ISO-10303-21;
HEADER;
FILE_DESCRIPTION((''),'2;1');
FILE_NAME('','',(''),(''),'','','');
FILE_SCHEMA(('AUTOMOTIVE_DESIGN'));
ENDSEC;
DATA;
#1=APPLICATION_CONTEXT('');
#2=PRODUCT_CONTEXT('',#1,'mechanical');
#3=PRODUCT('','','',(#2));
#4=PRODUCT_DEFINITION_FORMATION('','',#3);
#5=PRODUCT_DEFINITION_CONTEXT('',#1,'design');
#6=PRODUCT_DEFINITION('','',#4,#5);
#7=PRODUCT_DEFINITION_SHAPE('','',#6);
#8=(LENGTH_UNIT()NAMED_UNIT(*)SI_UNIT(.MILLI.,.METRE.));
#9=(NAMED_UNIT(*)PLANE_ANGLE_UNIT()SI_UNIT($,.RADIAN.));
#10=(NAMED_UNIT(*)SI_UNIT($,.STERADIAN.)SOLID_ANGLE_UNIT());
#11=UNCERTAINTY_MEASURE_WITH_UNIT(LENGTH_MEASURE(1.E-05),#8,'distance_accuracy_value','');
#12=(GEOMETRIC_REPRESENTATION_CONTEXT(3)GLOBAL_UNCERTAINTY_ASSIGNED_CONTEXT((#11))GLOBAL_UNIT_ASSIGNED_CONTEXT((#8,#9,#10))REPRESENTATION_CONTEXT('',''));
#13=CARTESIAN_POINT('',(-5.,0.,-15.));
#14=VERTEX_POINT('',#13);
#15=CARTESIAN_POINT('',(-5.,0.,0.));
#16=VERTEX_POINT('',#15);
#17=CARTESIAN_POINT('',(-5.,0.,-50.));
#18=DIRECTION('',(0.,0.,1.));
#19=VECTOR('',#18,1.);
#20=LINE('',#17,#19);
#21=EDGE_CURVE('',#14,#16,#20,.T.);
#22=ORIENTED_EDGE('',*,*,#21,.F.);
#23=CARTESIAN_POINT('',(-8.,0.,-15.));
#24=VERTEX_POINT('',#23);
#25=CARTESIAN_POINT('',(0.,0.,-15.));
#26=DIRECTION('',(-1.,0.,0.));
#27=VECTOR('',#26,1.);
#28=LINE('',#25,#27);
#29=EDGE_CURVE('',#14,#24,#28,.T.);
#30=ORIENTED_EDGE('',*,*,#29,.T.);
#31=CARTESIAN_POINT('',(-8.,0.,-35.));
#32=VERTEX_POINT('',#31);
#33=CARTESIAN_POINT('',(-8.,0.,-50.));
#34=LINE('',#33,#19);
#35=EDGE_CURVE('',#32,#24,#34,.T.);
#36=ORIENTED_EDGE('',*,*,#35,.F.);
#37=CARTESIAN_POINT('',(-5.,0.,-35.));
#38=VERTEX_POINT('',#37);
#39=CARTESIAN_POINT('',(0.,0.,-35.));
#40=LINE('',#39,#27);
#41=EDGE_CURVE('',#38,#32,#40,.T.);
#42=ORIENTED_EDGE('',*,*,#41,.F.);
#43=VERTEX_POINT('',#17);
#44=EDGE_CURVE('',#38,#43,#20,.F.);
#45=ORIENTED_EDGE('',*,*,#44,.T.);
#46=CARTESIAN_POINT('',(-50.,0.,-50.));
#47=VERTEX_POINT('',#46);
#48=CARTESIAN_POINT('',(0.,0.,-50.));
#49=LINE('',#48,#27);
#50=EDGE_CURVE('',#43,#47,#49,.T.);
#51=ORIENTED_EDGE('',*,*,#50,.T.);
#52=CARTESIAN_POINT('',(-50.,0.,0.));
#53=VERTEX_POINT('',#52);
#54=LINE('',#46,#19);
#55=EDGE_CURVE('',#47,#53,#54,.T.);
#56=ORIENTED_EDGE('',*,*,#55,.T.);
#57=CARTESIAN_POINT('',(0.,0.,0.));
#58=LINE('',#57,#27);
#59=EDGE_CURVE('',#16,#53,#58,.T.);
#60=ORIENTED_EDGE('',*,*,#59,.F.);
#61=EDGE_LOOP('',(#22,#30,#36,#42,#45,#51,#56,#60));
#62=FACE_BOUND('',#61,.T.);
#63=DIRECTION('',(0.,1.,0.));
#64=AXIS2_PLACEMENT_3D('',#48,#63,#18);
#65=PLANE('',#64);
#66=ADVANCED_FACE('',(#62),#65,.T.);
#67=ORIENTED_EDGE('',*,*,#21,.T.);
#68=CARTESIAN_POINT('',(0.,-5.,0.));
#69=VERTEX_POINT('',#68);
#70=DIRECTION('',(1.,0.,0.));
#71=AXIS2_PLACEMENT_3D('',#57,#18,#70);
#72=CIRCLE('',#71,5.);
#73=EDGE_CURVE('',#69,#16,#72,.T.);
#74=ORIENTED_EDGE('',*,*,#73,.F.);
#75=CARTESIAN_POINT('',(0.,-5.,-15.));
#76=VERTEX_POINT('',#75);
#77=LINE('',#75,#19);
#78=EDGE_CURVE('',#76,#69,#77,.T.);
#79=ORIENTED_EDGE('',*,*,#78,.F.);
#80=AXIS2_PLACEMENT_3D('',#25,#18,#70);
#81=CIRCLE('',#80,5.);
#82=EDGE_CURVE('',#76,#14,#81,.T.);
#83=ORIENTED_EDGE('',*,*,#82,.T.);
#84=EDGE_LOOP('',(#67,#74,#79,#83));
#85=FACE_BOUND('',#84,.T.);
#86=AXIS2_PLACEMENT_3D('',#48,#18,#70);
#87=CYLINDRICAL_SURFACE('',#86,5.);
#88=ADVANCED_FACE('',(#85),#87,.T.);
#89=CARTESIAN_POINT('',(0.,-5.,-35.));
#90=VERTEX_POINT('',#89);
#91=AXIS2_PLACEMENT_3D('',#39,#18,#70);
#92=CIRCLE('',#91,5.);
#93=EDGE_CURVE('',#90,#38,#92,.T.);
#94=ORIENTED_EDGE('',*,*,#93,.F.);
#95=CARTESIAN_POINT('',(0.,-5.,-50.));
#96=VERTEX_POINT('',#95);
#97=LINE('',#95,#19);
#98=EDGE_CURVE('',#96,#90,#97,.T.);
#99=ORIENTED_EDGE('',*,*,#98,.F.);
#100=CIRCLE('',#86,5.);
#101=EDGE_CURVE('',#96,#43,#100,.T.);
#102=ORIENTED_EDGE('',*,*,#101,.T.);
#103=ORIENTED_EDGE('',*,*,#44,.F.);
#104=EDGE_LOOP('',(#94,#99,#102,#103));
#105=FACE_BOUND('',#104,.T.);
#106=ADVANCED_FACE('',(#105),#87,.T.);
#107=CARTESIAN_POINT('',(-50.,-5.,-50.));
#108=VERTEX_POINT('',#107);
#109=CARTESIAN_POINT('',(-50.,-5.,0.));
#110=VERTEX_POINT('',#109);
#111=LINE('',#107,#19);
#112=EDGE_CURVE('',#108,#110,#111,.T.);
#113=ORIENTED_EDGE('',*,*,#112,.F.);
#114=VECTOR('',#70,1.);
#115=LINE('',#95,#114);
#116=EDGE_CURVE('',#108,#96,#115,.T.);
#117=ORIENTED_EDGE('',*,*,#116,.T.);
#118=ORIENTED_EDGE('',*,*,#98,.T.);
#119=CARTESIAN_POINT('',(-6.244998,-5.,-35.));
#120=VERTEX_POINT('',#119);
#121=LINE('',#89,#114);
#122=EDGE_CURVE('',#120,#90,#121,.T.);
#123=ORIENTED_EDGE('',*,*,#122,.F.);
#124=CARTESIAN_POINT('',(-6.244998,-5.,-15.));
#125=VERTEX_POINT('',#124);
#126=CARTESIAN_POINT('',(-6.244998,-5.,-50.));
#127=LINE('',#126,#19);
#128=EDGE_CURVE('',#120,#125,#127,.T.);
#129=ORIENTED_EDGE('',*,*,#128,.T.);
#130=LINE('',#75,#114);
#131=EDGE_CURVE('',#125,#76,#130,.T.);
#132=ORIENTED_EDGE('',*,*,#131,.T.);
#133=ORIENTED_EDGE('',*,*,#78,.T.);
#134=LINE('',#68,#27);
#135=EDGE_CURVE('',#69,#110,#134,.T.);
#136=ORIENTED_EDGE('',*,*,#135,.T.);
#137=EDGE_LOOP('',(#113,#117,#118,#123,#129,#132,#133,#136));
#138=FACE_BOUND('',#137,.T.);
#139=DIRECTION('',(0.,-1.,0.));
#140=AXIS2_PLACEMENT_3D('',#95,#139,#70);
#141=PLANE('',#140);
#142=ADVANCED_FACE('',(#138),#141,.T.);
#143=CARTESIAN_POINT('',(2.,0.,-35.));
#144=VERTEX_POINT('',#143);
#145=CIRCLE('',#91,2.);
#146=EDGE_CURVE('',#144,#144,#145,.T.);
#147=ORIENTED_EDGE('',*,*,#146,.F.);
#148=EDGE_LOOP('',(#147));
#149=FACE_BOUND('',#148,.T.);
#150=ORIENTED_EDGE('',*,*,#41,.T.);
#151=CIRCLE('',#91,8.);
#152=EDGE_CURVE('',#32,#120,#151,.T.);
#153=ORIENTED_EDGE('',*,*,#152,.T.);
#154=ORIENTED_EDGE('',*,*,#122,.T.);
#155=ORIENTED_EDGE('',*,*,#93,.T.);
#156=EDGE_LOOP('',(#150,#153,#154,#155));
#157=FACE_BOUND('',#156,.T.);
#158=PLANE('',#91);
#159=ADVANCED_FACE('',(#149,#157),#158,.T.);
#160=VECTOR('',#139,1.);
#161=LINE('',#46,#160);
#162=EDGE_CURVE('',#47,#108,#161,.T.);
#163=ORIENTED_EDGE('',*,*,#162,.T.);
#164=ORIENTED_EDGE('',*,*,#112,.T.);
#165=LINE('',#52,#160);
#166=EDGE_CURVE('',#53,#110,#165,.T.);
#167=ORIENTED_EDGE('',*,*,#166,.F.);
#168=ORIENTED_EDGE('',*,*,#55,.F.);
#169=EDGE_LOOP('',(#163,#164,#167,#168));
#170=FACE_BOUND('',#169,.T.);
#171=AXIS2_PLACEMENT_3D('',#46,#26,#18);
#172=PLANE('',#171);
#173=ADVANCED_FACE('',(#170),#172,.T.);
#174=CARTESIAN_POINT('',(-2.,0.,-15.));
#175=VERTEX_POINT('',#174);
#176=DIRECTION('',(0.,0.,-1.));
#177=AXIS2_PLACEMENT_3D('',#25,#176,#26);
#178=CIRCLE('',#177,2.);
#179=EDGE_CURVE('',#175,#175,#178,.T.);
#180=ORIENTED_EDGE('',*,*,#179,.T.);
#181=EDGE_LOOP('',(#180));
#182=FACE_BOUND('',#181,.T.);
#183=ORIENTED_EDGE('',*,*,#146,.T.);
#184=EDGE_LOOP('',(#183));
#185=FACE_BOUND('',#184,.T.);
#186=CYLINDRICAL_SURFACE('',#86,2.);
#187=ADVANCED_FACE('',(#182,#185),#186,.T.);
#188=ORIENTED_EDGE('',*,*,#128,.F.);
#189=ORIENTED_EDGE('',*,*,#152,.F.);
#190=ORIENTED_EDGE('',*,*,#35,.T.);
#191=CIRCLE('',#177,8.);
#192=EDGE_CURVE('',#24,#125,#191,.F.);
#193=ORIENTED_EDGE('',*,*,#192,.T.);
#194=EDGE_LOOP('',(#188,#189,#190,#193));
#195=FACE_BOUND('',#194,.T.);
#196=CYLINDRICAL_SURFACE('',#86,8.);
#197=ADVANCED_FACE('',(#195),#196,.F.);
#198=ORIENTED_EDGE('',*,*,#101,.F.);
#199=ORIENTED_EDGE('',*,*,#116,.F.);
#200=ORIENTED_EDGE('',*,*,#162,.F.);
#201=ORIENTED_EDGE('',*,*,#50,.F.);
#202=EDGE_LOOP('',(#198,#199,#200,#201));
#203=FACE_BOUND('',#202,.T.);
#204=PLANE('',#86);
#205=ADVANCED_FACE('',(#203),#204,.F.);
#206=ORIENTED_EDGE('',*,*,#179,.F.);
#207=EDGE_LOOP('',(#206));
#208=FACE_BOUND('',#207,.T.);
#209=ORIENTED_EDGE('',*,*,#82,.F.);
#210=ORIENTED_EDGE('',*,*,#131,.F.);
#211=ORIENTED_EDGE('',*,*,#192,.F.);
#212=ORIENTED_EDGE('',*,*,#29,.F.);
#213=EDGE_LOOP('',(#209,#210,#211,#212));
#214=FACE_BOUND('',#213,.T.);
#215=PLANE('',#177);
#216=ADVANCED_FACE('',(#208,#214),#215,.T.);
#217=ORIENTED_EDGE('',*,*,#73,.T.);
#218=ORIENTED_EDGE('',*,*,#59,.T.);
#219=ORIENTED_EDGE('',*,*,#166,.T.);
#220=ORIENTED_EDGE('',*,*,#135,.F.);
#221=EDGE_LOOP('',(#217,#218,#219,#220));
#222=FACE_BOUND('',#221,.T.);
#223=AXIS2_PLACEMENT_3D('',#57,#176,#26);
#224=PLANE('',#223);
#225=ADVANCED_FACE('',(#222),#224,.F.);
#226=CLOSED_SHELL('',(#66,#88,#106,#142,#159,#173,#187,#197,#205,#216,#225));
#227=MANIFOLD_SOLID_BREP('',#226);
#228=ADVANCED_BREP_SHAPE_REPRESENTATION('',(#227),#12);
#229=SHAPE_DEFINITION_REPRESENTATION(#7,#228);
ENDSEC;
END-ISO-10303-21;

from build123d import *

# Parameters (mm, degrees)
SKETCH2_W           = 50
SKETCH2_H           = 5
BOSS_EXTRUDE1_DEPTH = 50
SKETCH3_R           = 8
CUT_EXTRUDE1_DEPTH  = 50
SKETCH4_R           = 5
BOSS_EXTRUDE2_DEPTH = 50
SKETCH6_R           = 5
CUT_EXTRUDE2_DEPTH  = 20
SKETCH7_W           = 10
SKETCH7_H           = 5
BOSS_EXTRUDE3_DEPTH = 15
LPATTERN1_COUNT     = 2
LPATTERN1_PITCH     = 35
SKETCH8_R           = 2
BOSS_EXTRUDE4_DEPTH = 50


with BuildPart() as part:
    # Sketch2 → Boss-Extrude1 (new body)
    with BuildSketch(Plane.XY):
        with Locations((-25, -2.5)):
            Rectangle(SKETCH2_W, SKETCH2_H)
    extrude(amount=-BOSS_EXTRUDE1_DEPTH)

    # Sketch3 → Cut-Extrude1 (cut)
    with BuildSketch(Plane.XY):
        Circle(SKETCH3_R)
    extrude(amount=-CUT_EXTRUDE1_DEPTH, mode=Mode.SUBTRACT)



with BuildPart() as body_2:
    # Sketch4 → Boss-Extrude2 (new body)
    with BuildSketch(Plane.XY):
        Circle(SKETCH4_R)
    extrude(amount=-BOSS_EXTRUDE2_DEPTH)

    # Sketch6 → Cut-Extrude2 (cut)
    with BuildSketch(Plane.XY.offset(-15)):
        Circle(SKETCH6_R)
    extrude(amount=-CUT_EXTRUDE2_DEPTH, mode=Mode.SUBTRACT)


with BuildPart() as cut_extrude2_piece_1:
    # of the separate pieces the step leaves, piece 1, a body of its own (cut_extrude2_pieces)
    add(body_2.part.solids().sort_by_distance((5, 0, 0))[0])


with BuildPart() as cut_extrude2_piece_2:
    # of the separate pieces the step leaves, piece 2, a body of its own (cut_extrude2_pieces)
    add(body_2.part.solids().sort_by_distance((5, 0, -35))[0])


with BuildPart() as part_1:
    add(part.part)

    add(cut_extrude2_piece_1.part)  # Boss-Extrude3 merges Cut-Extrude2 piece 1
    # Sketch7 → Boss-Extrude3 (add)
    with BuildSketch(Plane.XY):
        with Locations((-5, -2.5)):
            Rectangle(SKETCH7_W, SKETCH7_H)
    boss_extrude3 = extrude(amount=-BOSS_EXTRUDE3_DEPTH)


    add(cut_extrude2_piece_2.part)  # LPattern1 merges Cut-Extrude2 piece 2
    # LPattern1: Boss-Extrude3 ×2
    with Locations(*[(0, 0, -i * LPATTERN1_PITCH) for i in range(1, LPATTERN1_COUNT)]):
        add(boss_extrude3)

    # Sketch8 → Boss-Extrude4 (add)
    with BuildSketch(Plane.XY):
        Circle(SKETCH8_R)
    extrude(amount=-BOSS_EXTRUDE4_DEPTH)


solid = part_1.part
